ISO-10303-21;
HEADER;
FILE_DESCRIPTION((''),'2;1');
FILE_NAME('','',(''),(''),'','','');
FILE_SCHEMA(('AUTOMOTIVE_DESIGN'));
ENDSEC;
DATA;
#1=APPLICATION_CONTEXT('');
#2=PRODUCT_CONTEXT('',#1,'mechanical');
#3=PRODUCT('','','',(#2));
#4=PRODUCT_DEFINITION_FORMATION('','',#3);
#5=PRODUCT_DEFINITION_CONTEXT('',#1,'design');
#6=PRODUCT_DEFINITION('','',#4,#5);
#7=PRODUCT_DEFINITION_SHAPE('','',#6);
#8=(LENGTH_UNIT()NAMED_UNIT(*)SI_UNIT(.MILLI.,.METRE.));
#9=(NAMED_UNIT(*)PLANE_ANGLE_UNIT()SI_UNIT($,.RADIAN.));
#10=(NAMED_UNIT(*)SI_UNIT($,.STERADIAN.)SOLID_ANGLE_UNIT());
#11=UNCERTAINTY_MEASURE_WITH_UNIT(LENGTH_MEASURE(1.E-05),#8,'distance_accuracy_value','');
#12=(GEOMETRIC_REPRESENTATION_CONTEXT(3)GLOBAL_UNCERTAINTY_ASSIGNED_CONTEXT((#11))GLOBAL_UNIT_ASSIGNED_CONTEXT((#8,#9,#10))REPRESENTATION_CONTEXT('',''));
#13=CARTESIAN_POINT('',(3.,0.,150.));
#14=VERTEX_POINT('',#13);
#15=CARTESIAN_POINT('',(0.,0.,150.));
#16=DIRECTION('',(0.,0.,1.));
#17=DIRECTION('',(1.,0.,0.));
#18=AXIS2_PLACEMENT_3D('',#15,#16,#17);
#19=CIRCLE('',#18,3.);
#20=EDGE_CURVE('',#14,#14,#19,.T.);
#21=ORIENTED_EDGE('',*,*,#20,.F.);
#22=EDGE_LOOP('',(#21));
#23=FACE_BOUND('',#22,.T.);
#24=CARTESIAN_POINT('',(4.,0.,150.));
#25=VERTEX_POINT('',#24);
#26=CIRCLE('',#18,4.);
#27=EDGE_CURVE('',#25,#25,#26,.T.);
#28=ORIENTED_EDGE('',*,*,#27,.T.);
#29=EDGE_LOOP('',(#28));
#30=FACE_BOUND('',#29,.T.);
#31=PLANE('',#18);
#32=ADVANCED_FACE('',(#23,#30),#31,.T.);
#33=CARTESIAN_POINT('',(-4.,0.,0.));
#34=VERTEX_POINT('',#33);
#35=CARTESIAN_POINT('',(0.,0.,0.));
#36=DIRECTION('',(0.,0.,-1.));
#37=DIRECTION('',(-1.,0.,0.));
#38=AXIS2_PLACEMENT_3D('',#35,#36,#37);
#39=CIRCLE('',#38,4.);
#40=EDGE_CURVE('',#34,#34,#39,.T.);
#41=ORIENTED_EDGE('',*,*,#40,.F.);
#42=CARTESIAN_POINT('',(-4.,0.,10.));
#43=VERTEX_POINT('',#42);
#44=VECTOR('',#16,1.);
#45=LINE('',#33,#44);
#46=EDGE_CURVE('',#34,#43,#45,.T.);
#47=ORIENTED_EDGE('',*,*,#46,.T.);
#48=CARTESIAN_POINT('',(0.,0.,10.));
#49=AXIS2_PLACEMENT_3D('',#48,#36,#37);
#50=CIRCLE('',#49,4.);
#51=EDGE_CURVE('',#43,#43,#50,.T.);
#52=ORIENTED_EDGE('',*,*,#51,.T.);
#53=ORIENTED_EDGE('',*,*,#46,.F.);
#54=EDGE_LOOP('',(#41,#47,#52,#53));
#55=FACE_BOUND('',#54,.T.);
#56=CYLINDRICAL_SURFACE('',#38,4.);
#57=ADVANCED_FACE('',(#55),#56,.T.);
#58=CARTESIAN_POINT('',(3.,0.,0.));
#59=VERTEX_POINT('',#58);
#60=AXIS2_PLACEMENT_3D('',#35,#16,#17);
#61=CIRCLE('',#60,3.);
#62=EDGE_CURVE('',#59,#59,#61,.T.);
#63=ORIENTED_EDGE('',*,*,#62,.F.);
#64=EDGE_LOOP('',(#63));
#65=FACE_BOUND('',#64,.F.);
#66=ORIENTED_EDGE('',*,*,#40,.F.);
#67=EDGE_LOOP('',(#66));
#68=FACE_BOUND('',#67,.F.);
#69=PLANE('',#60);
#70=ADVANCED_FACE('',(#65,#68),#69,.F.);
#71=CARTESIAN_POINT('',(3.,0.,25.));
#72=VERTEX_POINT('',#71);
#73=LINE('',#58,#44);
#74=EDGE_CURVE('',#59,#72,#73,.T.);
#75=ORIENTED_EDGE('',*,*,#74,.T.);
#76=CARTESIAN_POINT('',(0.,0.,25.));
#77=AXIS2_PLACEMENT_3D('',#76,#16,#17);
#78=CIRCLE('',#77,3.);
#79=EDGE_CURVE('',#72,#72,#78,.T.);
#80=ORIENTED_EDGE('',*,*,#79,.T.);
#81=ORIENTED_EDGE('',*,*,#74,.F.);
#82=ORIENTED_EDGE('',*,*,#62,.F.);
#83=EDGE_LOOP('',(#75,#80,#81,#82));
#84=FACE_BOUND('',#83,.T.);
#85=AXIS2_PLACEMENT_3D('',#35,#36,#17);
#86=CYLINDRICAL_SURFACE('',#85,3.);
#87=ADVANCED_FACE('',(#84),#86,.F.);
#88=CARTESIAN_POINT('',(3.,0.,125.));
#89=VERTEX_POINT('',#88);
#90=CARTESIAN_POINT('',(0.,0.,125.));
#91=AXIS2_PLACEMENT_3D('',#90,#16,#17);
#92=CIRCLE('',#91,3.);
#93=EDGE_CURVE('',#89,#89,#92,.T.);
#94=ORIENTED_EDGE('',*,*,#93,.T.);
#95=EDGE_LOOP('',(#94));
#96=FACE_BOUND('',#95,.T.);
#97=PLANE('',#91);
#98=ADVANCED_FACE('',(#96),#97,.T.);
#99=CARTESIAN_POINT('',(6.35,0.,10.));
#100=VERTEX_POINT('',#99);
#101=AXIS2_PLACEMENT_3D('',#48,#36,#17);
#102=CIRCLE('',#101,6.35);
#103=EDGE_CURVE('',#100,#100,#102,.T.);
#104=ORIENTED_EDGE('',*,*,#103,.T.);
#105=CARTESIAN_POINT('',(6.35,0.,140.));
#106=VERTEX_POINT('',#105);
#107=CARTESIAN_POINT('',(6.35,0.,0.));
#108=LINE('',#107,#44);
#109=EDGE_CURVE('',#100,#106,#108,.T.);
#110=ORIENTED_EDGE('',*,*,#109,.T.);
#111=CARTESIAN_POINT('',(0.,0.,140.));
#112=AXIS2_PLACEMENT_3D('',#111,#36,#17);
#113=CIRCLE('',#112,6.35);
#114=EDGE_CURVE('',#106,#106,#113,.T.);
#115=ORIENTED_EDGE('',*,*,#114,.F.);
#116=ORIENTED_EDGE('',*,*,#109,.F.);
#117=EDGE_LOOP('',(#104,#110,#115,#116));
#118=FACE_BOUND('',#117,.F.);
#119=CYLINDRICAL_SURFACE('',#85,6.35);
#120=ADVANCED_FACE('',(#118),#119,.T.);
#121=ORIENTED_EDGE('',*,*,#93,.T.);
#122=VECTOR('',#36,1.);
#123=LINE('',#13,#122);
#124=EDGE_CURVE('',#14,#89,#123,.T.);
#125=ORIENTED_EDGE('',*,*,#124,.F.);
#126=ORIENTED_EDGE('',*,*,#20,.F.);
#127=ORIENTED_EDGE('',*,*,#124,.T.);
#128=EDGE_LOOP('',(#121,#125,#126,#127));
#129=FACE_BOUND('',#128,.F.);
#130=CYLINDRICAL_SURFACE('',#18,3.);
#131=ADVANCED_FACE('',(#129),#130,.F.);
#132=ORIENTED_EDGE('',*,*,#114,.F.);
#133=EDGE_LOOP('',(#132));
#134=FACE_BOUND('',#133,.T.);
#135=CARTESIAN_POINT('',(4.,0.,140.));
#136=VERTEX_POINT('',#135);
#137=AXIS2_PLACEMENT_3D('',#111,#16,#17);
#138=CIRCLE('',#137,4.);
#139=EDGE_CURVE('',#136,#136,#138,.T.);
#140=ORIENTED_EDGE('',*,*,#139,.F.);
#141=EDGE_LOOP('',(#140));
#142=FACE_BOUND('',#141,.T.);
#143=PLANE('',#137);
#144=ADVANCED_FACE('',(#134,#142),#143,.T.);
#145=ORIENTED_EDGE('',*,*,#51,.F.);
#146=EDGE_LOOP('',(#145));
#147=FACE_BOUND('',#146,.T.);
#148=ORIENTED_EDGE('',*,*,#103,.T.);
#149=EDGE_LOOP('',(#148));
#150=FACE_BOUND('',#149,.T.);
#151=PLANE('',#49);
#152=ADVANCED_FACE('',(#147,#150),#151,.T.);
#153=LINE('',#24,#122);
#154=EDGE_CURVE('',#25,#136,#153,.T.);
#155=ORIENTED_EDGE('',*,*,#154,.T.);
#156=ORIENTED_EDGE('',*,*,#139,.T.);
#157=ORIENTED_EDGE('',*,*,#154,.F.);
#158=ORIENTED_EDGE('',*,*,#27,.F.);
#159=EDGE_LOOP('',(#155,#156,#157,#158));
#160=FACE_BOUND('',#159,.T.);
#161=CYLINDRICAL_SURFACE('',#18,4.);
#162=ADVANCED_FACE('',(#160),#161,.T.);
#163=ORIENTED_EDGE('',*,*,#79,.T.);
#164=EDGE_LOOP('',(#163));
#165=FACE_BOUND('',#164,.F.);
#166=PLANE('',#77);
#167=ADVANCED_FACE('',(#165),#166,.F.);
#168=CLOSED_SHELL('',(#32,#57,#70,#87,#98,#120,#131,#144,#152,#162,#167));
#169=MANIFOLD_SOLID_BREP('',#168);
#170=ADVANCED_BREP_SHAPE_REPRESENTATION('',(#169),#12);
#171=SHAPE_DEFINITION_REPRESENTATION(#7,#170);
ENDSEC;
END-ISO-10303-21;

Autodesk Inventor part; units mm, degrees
ref_plane "YZ Plane" through (0, 0, 0) normal (1, 0, 0) x (0, 1, 0)
ref_plane "XZ Plane" through (0, 0, 0) normal (0, 1, 0) x (-1, 0, 0)
ref_plane "XY Plane" through (0, 0, 0) normal (0, 0, 1) x (1, 0, 0)
sketch "Sketch1" plane through (0, 0, 0) normal (0, 0, 1) x (1, 0, 0)
  circle A0 centre (0, 0) radius 6.35
  circle A1 centre (0, 0) radius 3
  dimension "d0" = 12.7
  dimension "d1" = 6
extrude "Extrusion1" add sketch "Sketch1" along normal blind 150 contours A0 | A1
sketch "Sketch2" plane through (0, 0, 150) normal (0, 0, 1) x (1, 0, 0)
  circle A0 centre (0, 0) radius 3
  dimension "d4" = 6
extrude "Extrusion2" cut sketch "Sketch2" against normal blind 25
extrude "Extrusion3" cut sketch "Sketch1" along normal blind 25 contours A1
thread "Thread1" size "M6x1" class "6H" standard "ANSI Metric M Profile" length 348
thread "Thread2" size "M6x1" class "6H" standard "ANSI Metric M Profile" length 348
sketch "Boceto3" plane through (0, 0, 150) normal (0, 0, 1) x (1, 0, 0)
  circle A0 centre (0, 0) radius 7
  circle A1 centre (0, 0) radius 4
  dimension "d13" = 8
  dimension "d20" = 14
sketch "Boceto4" plane through (0, 0, 0) normal (0, 0, -1) x (-1, 0, 0)
  circle A0 centre (0, 0) radius 7
  circle A1 centre (0, 0) radius 4
  dimension "d14" = 8
  dimension "d19" = 14
extrude "Extrusión4" cut sketch "Boceto4" against normal blind 10
extrude "Extrusión5" cut sketch "Boceto3" against normal blind 10
properties part number "Guías de Soporte de Motor" material "Steel, High Strength, Low Alloy"
